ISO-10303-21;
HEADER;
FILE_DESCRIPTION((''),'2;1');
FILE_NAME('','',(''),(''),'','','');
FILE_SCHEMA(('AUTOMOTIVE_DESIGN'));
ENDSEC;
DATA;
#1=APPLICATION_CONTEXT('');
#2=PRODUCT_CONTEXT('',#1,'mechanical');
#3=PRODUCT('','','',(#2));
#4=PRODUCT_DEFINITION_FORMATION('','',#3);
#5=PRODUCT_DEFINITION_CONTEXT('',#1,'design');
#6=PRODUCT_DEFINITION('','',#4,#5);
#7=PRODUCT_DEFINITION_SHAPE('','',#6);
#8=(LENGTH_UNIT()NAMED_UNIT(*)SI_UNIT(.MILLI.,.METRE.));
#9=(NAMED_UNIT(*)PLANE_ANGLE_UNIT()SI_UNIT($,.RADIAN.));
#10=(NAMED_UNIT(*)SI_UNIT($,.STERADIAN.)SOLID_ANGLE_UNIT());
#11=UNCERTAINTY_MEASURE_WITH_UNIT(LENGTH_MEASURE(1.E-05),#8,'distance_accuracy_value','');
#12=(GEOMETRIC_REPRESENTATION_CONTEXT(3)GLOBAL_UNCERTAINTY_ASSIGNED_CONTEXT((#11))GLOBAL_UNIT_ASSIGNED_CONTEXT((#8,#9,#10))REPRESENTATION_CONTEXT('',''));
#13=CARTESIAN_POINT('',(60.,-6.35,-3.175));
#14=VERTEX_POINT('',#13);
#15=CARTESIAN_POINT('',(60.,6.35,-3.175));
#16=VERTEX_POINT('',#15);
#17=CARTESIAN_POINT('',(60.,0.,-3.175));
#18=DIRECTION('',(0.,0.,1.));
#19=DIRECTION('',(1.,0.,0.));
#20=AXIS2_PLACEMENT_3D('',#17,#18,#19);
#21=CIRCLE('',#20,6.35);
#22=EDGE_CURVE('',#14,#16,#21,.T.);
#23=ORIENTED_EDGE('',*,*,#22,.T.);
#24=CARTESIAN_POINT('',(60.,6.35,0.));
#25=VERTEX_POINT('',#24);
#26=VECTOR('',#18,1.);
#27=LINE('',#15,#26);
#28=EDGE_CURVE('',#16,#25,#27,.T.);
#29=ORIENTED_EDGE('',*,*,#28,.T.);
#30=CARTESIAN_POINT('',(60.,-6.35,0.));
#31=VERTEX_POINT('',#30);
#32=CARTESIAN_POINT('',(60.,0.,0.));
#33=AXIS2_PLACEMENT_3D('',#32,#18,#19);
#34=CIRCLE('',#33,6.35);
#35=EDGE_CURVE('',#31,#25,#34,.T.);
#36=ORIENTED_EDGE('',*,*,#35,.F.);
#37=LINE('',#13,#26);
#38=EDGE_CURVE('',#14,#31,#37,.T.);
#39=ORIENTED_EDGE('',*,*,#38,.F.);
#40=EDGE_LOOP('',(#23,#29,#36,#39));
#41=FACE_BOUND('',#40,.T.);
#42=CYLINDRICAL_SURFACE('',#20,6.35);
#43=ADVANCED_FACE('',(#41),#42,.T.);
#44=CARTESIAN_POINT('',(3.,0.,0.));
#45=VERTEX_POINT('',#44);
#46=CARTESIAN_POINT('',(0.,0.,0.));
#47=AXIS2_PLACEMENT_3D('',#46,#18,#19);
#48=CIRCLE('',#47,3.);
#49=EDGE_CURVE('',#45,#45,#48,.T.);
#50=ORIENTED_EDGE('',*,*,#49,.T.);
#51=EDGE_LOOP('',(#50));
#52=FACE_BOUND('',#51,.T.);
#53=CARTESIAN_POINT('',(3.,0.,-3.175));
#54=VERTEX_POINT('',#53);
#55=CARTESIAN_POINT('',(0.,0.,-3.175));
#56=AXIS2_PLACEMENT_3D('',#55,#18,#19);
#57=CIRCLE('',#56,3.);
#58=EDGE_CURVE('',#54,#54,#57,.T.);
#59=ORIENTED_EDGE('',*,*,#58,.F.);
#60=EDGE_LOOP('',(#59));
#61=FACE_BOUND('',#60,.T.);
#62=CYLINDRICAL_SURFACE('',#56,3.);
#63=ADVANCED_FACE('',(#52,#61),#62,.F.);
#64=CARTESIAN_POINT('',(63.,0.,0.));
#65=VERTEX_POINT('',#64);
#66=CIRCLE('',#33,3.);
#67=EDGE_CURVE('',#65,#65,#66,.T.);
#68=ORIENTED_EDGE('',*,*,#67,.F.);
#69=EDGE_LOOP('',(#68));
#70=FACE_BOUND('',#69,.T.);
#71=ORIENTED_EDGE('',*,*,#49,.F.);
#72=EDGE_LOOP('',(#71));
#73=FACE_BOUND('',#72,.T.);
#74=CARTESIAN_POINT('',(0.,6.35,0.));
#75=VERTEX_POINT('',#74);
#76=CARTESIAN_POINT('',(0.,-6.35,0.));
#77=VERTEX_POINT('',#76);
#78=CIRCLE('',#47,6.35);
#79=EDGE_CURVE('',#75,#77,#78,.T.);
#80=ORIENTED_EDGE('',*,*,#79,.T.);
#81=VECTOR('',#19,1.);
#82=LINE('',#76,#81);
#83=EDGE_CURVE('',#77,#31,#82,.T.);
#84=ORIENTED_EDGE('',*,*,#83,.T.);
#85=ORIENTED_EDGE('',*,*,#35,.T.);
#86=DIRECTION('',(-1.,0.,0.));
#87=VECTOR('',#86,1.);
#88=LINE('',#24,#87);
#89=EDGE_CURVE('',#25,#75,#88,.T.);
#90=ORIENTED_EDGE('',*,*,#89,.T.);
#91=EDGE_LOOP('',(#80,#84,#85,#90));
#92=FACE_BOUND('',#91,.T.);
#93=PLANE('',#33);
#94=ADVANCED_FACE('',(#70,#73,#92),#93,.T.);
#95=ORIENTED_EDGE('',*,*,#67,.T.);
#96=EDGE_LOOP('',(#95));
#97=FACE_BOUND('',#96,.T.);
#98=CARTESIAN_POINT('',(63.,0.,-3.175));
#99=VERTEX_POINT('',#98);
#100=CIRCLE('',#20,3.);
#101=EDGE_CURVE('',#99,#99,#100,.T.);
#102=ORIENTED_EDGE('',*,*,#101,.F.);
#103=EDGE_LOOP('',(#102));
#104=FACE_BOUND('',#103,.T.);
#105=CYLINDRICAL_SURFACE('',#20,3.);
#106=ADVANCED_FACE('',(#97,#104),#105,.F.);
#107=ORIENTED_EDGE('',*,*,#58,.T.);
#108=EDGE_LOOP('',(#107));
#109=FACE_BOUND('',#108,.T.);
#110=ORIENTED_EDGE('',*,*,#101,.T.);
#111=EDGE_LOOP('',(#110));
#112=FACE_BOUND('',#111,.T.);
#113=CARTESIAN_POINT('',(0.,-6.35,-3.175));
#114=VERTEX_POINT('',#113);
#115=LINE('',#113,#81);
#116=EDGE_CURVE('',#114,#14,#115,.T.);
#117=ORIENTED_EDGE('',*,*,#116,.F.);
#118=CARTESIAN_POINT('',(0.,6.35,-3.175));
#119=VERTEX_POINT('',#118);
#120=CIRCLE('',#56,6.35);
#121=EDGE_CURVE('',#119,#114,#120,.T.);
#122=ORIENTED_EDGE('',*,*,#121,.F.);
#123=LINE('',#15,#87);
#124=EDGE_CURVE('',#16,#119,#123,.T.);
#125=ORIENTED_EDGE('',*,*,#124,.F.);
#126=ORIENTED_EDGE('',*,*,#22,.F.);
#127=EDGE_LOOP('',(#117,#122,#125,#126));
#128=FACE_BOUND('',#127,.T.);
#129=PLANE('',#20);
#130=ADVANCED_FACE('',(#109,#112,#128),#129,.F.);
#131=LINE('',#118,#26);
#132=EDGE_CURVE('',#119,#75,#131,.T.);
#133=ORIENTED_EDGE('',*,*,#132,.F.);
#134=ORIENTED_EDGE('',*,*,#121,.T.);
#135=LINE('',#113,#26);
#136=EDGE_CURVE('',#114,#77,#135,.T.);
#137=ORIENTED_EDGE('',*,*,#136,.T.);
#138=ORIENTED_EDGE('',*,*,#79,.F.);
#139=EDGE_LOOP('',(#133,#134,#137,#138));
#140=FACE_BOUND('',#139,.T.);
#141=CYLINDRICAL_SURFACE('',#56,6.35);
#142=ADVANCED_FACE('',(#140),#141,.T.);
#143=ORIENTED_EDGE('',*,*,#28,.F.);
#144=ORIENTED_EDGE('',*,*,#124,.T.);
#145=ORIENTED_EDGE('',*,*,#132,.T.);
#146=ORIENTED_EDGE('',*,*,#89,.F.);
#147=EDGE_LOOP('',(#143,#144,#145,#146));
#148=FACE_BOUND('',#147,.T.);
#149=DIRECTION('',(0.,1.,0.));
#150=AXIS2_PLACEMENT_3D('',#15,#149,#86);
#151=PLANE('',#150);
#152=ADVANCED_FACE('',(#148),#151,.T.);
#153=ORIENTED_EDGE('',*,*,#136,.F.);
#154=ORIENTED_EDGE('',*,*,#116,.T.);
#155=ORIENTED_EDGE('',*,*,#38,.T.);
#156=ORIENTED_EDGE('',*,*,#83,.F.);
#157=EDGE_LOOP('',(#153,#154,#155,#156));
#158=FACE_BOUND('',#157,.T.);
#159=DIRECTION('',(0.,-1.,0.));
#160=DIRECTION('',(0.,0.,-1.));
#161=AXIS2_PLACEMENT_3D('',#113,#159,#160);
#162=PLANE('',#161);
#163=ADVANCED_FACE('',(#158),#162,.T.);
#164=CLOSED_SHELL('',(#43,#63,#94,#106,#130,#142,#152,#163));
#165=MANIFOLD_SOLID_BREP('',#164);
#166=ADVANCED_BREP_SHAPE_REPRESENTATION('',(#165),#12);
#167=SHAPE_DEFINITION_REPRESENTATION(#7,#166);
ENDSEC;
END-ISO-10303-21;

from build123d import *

# Parameters (mm, degrees)
SKETCH1_R      = 3
EXTRUDE1_DEPTH = 3.175


with BuildPart() as part:
    # Sketch1 → Extrude1 (new body)
    with BuildSketch(Plane.XY):
        with BuildLine():
            Line((60, 6.35), (0, 6.35))
            ThreePointArc((0, 6.35), (-6.35, 0), (0, -6.35))
            Line((0, -6.35), (60, -6.35))
            ThreePointArc((60, -6.35), (66.35, 0), (60, 6.35))
        make_face()
        Circle(SKETCH1_R, mode=Mode.SUBTRACT)
        with Locations((60, 0)):
            Circle(SKETCH1_R, mode=Mode.SUBTRACT)
    extrude(amount=-EXTRUDE1_DEPTH)


solid = part.part
